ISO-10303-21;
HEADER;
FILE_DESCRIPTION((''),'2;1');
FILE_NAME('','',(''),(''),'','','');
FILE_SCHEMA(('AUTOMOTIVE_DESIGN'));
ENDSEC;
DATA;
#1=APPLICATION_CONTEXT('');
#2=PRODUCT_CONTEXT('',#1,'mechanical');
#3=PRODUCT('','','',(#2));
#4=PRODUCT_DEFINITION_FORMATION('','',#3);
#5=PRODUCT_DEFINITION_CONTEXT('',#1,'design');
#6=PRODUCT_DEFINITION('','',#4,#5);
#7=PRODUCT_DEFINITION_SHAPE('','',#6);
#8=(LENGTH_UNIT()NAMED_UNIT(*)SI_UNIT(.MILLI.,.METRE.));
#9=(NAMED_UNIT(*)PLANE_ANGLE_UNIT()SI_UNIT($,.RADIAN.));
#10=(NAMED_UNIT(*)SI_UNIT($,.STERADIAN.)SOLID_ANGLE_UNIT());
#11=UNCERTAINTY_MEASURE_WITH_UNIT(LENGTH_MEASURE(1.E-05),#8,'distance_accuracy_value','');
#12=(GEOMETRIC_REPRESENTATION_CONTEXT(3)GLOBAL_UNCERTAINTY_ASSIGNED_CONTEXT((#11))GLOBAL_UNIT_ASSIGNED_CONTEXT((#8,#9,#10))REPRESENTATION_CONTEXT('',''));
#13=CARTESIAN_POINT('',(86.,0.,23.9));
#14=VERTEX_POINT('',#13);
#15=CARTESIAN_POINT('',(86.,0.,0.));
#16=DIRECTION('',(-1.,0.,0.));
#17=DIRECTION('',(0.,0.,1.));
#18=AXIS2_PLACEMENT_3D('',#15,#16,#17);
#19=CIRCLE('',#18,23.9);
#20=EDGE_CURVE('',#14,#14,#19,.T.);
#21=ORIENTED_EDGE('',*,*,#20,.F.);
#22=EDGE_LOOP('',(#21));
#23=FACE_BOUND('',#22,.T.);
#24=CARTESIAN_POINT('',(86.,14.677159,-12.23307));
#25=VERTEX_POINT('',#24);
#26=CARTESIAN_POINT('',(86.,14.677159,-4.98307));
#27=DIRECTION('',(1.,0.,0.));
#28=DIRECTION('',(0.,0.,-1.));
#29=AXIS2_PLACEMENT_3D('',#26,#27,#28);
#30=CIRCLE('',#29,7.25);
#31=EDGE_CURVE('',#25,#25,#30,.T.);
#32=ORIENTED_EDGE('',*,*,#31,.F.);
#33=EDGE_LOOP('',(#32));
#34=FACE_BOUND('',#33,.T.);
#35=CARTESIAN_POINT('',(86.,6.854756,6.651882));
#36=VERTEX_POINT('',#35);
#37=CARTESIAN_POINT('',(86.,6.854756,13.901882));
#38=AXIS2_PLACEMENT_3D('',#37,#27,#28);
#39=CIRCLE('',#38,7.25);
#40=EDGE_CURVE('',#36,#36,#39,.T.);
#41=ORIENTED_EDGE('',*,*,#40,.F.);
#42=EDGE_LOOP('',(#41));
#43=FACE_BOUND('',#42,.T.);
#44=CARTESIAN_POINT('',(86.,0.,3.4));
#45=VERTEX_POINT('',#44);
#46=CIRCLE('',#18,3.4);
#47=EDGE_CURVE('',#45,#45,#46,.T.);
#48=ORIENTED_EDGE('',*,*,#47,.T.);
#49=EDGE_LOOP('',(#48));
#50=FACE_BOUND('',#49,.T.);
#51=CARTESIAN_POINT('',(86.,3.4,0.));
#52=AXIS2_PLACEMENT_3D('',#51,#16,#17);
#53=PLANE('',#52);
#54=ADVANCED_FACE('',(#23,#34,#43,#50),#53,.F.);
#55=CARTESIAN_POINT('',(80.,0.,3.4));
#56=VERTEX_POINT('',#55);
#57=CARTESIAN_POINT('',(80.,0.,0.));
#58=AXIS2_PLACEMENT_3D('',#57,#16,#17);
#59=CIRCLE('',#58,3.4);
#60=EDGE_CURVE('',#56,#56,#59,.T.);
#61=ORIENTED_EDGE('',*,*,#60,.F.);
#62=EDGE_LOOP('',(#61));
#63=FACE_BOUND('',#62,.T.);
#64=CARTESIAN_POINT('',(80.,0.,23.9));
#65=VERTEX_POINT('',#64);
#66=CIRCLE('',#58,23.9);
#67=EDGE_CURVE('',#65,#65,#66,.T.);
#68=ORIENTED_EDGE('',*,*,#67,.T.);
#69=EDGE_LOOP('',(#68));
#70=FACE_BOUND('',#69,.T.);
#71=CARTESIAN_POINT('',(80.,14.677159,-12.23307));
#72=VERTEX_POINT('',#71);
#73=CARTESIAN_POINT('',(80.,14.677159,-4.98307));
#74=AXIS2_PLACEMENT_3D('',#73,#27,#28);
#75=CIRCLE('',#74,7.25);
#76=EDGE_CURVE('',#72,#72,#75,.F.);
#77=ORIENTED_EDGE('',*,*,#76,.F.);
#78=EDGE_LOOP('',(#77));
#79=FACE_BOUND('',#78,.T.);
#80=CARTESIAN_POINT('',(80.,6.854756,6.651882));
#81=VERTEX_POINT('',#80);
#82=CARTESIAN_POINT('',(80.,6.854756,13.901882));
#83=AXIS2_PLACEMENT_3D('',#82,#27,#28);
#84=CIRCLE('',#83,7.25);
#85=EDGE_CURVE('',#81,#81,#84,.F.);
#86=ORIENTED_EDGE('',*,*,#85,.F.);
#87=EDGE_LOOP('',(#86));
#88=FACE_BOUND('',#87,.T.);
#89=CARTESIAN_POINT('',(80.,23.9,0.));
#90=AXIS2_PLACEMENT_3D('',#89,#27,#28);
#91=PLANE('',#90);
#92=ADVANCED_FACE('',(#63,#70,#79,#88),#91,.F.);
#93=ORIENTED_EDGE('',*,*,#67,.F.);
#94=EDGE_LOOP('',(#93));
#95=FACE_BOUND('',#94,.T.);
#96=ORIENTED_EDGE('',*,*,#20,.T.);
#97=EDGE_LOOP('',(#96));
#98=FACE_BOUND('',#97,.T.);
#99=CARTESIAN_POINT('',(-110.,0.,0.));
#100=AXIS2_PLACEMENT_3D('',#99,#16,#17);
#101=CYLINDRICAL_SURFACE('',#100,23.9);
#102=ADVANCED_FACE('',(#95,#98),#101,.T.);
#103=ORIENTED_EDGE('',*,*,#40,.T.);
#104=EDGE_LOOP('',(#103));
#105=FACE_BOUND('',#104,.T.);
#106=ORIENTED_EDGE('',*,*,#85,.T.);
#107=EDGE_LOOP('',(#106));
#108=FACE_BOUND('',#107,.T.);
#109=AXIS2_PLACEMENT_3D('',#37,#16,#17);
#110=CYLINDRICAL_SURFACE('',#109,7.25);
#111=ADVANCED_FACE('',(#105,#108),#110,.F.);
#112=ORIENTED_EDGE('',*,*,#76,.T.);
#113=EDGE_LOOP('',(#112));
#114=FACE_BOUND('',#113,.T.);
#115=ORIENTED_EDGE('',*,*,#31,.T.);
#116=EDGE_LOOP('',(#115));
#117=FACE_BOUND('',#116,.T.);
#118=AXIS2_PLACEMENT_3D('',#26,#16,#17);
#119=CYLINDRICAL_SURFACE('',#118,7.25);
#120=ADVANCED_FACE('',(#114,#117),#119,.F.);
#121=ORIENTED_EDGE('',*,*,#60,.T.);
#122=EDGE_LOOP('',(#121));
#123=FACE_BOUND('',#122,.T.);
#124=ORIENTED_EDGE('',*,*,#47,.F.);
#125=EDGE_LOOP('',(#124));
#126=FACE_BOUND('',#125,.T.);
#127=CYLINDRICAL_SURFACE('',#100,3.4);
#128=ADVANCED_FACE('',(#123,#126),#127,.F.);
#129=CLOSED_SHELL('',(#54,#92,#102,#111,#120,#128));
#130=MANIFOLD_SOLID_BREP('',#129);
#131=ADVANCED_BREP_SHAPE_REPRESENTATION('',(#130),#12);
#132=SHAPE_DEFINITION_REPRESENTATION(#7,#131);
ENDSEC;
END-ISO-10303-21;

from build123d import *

# Parameters (mm, degrees)
AXIAL_PROFILE_MM_W     = 6
AXIAL_PROFILE_MM_H     = 20.5
AXIAL_HOLES_DEPTH      = 93.40357136
AXIAL_HOLES_DEPTH_BACK = 93.40357136
SKETCH2_R              = 7.25


with BuildPart() as part:
    # Axial profile (mm) → Full revolution (revolve)
    with BuildSketch(Plane.XY, mode=Mode.PRIVATE) as full_revolution_sk:
        with Locations((83, 13.65)):
            Rectangle(AXIAL_PROFILE_MM_W, AXIAL_PROFILE_MM_H)
    revolve(full_revolution_sk.sketch.rotate(Axis((-110, 0, 0), (1, 0, 0)), 90), axis=Axis((-110, 0, 0), (1, 0, 0)))

    # Sketch2 → Axial holes (cut, two sides: drawn at the far end of the back side and taken through both)
    with BuildSketch(Plane(origin=(0, 0, 0), x_dir=(0, 0, -1), z_dir=(1, 0, 0)).offset(-AXIAL_HOLES_DEPTH_BACK)):
        with Locations((4.983070287, 14.677159484)):
            Circle(SKETCH2_R)
        with Locations((-13.90188179, 6.854756209)):
            Circle(SKETCH2_R)
    extrude(amount=AXIAL_HOLES_DEPTH + AXIAL_HOLES_DEPTH_BACK, mode=Mode.SUBTRACT)


solid = part.part
